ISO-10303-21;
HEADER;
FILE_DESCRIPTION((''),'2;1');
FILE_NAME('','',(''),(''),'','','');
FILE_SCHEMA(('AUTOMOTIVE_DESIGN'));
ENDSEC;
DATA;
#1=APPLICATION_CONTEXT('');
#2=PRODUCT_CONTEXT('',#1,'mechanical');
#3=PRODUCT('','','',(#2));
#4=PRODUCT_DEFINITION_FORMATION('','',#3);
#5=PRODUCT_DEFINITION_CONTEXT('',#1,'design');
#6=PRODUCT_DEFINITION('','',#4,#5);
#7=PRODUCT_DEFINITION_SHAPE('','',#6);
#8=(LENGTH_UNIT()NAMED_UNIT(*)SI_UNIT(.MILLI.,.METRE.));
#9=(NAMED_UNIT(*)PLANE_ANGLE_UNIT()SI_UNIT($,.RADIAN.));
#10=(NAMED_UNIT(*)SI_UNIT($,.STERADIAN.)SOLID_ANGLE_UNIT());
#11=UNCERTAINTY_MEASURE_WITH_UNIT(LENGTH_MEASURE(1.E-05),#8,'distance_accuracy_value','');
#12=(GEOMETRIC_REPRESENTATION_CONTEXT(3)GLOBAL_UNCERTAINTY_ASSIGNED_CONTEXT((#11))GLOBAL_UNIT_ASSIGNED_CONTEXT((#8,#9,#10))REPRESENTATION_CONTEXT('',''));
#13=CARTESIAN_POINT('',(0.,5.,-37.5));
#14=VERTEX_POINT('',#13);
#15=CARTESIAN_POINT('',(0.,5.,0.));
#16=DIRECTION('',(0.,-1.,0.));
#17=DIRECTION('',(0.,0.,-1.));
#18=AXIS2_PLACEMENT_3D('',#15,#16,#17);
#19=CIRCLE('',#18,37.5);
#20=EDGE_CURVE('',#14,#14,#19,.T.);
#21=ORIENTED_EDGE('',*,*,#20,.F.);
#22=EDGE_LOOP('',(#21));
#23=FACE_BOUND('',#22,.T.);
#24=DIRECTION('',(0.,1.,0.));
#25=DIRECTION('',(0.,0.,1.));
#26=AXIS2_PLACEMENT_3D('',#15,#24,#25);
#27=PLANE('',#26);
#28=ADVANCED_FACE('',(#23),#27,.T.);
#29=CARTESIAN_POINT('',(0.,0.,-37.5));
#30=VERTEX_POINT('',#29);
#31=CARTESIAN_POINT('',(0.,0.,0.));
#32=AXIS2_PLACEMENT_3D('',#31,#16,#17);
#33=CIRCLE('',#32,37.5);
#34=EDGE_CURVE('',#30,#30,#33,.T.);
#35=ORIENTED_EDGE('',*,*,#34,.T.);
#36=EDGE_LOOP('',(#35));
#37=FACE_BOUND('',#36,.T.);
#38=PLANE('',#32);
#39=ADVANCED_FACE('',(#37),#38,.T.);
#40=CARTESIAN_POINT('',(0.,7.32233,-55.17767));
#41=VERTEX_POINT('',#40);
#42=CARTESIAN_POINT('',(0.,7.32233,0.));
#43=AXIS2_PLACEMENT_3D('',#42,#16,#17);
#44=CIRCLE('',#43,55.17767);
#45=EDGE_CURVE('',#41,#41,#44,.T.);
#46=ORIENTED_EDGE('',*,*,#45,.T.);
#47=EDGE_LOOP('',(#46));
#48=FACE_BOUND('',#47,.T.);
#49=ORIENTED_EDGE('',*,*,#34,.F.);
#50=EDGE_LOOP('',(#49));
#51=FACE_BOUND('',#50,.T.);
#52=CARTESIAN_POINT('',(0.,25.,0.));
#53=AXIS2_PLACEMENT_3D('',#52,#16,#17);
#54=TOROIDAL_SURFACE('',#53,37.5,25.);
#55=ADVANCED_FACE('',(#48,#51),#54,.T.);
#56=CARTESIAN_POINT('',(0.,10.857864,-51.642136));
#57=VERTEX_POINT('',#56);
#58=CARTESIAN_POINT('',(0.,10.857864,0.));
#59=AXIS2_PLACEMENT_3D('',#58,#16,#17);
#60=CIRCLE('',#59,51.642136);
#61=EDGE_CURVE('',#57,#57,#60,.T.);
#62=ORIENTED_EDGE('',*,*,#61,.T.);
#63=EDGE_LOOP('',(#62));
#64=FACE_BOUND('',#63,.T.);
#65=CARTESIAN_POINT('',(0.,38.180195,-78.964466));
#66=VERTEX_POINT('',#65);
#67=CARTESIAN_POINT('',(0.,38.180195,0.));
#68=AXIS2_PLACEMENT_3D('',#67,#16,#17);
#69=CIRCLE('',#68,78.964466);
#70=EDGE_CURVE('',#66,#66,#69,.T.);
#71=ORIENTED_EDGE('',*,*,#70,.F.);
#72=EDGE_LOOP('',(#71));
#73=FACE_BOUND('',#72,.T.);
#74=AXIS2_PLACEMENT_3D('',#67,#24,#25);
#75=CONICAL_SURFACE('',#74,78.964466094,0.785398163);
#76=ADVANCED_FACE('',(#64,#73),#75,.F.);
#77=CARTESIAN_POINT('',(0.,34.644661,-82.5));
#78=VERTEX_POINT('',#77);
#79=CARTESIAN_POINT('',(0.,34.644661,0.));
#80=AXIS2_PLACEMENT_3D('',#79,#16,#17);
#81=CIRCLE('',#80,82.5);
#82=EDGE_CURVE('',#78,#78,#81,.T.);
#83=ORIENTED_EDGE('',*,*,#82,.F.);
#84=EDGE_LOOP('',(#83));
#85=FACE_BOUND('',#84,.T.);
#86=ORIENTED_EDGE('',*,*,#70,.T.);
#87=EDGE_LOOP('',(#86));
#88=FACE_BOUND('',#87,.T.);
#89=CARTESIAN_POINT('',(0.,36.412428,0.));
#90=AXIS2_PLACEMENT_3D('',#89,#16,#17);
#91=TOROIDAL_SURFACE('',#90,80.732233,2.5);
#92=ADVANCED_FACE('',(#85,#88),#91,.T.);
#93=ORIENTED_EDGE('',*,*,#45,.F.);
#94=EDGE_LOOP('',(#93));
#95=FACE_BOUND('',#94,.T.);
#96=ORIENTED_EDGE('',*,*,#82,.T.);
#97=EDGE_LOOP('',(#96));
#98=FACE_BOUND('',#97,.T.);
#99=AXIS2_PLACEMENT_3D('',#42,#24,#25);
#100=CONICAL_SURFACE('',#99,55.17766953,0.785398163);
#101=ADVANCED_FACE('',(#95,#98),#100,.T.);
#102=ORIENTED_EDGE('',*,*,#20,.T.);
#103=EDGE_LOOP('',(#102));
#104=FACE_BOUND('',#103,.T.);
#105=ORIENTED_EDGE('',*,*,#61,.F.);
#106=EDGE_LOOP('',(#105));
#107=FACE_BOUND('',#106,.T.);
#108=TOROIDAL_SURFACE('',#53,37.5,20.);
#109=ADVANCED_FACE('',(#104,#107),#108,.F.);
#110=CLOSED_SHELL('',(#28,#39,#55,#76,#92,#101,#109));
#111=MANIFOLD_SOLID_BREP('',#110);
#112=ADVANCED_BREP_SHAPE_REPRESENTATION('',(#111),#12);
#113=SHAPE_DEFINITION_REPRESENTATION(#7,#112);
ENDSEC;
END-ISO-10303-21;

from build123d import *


with BuildPart() as part:
    # Sketch1 → Revolve1 (revolve)
    with BuildSketch(Plane.XY, mode=Mode.PRIVATE) as revolve1_sk:
        with BuildLine():
            Line((0, 0), (37.5, 0))
            ThreePointArc((37.5, 0), (47.067085809, 1.903011687), (55.17766953, 7.32233047))
            Line((55.17766953, 7.32233047), (82.5, 34.644660941))
            ThreePointArc((82.5, 34.644660941), (82.5, 38.180194847), (78.964466094, 38.180194847))
            Line((78.964466094, 38.180194847), (51.642135624, 10.857864376))
            ThreePointArc((51.642135624, 10.857864376), (45.153668647, 6.52240935), (37.5, 5))
            Line((37.5, 5), (0, 5))
            Line((0, 5), (0, 0))
        make_face()
    revolve(revolve1_sk.sketch.rotate(Axis((0, 0, 0), (0, 1, 0)), 90), axis=Axis((0, 0, 0), (0, 1, 0)))


solid = part.part
